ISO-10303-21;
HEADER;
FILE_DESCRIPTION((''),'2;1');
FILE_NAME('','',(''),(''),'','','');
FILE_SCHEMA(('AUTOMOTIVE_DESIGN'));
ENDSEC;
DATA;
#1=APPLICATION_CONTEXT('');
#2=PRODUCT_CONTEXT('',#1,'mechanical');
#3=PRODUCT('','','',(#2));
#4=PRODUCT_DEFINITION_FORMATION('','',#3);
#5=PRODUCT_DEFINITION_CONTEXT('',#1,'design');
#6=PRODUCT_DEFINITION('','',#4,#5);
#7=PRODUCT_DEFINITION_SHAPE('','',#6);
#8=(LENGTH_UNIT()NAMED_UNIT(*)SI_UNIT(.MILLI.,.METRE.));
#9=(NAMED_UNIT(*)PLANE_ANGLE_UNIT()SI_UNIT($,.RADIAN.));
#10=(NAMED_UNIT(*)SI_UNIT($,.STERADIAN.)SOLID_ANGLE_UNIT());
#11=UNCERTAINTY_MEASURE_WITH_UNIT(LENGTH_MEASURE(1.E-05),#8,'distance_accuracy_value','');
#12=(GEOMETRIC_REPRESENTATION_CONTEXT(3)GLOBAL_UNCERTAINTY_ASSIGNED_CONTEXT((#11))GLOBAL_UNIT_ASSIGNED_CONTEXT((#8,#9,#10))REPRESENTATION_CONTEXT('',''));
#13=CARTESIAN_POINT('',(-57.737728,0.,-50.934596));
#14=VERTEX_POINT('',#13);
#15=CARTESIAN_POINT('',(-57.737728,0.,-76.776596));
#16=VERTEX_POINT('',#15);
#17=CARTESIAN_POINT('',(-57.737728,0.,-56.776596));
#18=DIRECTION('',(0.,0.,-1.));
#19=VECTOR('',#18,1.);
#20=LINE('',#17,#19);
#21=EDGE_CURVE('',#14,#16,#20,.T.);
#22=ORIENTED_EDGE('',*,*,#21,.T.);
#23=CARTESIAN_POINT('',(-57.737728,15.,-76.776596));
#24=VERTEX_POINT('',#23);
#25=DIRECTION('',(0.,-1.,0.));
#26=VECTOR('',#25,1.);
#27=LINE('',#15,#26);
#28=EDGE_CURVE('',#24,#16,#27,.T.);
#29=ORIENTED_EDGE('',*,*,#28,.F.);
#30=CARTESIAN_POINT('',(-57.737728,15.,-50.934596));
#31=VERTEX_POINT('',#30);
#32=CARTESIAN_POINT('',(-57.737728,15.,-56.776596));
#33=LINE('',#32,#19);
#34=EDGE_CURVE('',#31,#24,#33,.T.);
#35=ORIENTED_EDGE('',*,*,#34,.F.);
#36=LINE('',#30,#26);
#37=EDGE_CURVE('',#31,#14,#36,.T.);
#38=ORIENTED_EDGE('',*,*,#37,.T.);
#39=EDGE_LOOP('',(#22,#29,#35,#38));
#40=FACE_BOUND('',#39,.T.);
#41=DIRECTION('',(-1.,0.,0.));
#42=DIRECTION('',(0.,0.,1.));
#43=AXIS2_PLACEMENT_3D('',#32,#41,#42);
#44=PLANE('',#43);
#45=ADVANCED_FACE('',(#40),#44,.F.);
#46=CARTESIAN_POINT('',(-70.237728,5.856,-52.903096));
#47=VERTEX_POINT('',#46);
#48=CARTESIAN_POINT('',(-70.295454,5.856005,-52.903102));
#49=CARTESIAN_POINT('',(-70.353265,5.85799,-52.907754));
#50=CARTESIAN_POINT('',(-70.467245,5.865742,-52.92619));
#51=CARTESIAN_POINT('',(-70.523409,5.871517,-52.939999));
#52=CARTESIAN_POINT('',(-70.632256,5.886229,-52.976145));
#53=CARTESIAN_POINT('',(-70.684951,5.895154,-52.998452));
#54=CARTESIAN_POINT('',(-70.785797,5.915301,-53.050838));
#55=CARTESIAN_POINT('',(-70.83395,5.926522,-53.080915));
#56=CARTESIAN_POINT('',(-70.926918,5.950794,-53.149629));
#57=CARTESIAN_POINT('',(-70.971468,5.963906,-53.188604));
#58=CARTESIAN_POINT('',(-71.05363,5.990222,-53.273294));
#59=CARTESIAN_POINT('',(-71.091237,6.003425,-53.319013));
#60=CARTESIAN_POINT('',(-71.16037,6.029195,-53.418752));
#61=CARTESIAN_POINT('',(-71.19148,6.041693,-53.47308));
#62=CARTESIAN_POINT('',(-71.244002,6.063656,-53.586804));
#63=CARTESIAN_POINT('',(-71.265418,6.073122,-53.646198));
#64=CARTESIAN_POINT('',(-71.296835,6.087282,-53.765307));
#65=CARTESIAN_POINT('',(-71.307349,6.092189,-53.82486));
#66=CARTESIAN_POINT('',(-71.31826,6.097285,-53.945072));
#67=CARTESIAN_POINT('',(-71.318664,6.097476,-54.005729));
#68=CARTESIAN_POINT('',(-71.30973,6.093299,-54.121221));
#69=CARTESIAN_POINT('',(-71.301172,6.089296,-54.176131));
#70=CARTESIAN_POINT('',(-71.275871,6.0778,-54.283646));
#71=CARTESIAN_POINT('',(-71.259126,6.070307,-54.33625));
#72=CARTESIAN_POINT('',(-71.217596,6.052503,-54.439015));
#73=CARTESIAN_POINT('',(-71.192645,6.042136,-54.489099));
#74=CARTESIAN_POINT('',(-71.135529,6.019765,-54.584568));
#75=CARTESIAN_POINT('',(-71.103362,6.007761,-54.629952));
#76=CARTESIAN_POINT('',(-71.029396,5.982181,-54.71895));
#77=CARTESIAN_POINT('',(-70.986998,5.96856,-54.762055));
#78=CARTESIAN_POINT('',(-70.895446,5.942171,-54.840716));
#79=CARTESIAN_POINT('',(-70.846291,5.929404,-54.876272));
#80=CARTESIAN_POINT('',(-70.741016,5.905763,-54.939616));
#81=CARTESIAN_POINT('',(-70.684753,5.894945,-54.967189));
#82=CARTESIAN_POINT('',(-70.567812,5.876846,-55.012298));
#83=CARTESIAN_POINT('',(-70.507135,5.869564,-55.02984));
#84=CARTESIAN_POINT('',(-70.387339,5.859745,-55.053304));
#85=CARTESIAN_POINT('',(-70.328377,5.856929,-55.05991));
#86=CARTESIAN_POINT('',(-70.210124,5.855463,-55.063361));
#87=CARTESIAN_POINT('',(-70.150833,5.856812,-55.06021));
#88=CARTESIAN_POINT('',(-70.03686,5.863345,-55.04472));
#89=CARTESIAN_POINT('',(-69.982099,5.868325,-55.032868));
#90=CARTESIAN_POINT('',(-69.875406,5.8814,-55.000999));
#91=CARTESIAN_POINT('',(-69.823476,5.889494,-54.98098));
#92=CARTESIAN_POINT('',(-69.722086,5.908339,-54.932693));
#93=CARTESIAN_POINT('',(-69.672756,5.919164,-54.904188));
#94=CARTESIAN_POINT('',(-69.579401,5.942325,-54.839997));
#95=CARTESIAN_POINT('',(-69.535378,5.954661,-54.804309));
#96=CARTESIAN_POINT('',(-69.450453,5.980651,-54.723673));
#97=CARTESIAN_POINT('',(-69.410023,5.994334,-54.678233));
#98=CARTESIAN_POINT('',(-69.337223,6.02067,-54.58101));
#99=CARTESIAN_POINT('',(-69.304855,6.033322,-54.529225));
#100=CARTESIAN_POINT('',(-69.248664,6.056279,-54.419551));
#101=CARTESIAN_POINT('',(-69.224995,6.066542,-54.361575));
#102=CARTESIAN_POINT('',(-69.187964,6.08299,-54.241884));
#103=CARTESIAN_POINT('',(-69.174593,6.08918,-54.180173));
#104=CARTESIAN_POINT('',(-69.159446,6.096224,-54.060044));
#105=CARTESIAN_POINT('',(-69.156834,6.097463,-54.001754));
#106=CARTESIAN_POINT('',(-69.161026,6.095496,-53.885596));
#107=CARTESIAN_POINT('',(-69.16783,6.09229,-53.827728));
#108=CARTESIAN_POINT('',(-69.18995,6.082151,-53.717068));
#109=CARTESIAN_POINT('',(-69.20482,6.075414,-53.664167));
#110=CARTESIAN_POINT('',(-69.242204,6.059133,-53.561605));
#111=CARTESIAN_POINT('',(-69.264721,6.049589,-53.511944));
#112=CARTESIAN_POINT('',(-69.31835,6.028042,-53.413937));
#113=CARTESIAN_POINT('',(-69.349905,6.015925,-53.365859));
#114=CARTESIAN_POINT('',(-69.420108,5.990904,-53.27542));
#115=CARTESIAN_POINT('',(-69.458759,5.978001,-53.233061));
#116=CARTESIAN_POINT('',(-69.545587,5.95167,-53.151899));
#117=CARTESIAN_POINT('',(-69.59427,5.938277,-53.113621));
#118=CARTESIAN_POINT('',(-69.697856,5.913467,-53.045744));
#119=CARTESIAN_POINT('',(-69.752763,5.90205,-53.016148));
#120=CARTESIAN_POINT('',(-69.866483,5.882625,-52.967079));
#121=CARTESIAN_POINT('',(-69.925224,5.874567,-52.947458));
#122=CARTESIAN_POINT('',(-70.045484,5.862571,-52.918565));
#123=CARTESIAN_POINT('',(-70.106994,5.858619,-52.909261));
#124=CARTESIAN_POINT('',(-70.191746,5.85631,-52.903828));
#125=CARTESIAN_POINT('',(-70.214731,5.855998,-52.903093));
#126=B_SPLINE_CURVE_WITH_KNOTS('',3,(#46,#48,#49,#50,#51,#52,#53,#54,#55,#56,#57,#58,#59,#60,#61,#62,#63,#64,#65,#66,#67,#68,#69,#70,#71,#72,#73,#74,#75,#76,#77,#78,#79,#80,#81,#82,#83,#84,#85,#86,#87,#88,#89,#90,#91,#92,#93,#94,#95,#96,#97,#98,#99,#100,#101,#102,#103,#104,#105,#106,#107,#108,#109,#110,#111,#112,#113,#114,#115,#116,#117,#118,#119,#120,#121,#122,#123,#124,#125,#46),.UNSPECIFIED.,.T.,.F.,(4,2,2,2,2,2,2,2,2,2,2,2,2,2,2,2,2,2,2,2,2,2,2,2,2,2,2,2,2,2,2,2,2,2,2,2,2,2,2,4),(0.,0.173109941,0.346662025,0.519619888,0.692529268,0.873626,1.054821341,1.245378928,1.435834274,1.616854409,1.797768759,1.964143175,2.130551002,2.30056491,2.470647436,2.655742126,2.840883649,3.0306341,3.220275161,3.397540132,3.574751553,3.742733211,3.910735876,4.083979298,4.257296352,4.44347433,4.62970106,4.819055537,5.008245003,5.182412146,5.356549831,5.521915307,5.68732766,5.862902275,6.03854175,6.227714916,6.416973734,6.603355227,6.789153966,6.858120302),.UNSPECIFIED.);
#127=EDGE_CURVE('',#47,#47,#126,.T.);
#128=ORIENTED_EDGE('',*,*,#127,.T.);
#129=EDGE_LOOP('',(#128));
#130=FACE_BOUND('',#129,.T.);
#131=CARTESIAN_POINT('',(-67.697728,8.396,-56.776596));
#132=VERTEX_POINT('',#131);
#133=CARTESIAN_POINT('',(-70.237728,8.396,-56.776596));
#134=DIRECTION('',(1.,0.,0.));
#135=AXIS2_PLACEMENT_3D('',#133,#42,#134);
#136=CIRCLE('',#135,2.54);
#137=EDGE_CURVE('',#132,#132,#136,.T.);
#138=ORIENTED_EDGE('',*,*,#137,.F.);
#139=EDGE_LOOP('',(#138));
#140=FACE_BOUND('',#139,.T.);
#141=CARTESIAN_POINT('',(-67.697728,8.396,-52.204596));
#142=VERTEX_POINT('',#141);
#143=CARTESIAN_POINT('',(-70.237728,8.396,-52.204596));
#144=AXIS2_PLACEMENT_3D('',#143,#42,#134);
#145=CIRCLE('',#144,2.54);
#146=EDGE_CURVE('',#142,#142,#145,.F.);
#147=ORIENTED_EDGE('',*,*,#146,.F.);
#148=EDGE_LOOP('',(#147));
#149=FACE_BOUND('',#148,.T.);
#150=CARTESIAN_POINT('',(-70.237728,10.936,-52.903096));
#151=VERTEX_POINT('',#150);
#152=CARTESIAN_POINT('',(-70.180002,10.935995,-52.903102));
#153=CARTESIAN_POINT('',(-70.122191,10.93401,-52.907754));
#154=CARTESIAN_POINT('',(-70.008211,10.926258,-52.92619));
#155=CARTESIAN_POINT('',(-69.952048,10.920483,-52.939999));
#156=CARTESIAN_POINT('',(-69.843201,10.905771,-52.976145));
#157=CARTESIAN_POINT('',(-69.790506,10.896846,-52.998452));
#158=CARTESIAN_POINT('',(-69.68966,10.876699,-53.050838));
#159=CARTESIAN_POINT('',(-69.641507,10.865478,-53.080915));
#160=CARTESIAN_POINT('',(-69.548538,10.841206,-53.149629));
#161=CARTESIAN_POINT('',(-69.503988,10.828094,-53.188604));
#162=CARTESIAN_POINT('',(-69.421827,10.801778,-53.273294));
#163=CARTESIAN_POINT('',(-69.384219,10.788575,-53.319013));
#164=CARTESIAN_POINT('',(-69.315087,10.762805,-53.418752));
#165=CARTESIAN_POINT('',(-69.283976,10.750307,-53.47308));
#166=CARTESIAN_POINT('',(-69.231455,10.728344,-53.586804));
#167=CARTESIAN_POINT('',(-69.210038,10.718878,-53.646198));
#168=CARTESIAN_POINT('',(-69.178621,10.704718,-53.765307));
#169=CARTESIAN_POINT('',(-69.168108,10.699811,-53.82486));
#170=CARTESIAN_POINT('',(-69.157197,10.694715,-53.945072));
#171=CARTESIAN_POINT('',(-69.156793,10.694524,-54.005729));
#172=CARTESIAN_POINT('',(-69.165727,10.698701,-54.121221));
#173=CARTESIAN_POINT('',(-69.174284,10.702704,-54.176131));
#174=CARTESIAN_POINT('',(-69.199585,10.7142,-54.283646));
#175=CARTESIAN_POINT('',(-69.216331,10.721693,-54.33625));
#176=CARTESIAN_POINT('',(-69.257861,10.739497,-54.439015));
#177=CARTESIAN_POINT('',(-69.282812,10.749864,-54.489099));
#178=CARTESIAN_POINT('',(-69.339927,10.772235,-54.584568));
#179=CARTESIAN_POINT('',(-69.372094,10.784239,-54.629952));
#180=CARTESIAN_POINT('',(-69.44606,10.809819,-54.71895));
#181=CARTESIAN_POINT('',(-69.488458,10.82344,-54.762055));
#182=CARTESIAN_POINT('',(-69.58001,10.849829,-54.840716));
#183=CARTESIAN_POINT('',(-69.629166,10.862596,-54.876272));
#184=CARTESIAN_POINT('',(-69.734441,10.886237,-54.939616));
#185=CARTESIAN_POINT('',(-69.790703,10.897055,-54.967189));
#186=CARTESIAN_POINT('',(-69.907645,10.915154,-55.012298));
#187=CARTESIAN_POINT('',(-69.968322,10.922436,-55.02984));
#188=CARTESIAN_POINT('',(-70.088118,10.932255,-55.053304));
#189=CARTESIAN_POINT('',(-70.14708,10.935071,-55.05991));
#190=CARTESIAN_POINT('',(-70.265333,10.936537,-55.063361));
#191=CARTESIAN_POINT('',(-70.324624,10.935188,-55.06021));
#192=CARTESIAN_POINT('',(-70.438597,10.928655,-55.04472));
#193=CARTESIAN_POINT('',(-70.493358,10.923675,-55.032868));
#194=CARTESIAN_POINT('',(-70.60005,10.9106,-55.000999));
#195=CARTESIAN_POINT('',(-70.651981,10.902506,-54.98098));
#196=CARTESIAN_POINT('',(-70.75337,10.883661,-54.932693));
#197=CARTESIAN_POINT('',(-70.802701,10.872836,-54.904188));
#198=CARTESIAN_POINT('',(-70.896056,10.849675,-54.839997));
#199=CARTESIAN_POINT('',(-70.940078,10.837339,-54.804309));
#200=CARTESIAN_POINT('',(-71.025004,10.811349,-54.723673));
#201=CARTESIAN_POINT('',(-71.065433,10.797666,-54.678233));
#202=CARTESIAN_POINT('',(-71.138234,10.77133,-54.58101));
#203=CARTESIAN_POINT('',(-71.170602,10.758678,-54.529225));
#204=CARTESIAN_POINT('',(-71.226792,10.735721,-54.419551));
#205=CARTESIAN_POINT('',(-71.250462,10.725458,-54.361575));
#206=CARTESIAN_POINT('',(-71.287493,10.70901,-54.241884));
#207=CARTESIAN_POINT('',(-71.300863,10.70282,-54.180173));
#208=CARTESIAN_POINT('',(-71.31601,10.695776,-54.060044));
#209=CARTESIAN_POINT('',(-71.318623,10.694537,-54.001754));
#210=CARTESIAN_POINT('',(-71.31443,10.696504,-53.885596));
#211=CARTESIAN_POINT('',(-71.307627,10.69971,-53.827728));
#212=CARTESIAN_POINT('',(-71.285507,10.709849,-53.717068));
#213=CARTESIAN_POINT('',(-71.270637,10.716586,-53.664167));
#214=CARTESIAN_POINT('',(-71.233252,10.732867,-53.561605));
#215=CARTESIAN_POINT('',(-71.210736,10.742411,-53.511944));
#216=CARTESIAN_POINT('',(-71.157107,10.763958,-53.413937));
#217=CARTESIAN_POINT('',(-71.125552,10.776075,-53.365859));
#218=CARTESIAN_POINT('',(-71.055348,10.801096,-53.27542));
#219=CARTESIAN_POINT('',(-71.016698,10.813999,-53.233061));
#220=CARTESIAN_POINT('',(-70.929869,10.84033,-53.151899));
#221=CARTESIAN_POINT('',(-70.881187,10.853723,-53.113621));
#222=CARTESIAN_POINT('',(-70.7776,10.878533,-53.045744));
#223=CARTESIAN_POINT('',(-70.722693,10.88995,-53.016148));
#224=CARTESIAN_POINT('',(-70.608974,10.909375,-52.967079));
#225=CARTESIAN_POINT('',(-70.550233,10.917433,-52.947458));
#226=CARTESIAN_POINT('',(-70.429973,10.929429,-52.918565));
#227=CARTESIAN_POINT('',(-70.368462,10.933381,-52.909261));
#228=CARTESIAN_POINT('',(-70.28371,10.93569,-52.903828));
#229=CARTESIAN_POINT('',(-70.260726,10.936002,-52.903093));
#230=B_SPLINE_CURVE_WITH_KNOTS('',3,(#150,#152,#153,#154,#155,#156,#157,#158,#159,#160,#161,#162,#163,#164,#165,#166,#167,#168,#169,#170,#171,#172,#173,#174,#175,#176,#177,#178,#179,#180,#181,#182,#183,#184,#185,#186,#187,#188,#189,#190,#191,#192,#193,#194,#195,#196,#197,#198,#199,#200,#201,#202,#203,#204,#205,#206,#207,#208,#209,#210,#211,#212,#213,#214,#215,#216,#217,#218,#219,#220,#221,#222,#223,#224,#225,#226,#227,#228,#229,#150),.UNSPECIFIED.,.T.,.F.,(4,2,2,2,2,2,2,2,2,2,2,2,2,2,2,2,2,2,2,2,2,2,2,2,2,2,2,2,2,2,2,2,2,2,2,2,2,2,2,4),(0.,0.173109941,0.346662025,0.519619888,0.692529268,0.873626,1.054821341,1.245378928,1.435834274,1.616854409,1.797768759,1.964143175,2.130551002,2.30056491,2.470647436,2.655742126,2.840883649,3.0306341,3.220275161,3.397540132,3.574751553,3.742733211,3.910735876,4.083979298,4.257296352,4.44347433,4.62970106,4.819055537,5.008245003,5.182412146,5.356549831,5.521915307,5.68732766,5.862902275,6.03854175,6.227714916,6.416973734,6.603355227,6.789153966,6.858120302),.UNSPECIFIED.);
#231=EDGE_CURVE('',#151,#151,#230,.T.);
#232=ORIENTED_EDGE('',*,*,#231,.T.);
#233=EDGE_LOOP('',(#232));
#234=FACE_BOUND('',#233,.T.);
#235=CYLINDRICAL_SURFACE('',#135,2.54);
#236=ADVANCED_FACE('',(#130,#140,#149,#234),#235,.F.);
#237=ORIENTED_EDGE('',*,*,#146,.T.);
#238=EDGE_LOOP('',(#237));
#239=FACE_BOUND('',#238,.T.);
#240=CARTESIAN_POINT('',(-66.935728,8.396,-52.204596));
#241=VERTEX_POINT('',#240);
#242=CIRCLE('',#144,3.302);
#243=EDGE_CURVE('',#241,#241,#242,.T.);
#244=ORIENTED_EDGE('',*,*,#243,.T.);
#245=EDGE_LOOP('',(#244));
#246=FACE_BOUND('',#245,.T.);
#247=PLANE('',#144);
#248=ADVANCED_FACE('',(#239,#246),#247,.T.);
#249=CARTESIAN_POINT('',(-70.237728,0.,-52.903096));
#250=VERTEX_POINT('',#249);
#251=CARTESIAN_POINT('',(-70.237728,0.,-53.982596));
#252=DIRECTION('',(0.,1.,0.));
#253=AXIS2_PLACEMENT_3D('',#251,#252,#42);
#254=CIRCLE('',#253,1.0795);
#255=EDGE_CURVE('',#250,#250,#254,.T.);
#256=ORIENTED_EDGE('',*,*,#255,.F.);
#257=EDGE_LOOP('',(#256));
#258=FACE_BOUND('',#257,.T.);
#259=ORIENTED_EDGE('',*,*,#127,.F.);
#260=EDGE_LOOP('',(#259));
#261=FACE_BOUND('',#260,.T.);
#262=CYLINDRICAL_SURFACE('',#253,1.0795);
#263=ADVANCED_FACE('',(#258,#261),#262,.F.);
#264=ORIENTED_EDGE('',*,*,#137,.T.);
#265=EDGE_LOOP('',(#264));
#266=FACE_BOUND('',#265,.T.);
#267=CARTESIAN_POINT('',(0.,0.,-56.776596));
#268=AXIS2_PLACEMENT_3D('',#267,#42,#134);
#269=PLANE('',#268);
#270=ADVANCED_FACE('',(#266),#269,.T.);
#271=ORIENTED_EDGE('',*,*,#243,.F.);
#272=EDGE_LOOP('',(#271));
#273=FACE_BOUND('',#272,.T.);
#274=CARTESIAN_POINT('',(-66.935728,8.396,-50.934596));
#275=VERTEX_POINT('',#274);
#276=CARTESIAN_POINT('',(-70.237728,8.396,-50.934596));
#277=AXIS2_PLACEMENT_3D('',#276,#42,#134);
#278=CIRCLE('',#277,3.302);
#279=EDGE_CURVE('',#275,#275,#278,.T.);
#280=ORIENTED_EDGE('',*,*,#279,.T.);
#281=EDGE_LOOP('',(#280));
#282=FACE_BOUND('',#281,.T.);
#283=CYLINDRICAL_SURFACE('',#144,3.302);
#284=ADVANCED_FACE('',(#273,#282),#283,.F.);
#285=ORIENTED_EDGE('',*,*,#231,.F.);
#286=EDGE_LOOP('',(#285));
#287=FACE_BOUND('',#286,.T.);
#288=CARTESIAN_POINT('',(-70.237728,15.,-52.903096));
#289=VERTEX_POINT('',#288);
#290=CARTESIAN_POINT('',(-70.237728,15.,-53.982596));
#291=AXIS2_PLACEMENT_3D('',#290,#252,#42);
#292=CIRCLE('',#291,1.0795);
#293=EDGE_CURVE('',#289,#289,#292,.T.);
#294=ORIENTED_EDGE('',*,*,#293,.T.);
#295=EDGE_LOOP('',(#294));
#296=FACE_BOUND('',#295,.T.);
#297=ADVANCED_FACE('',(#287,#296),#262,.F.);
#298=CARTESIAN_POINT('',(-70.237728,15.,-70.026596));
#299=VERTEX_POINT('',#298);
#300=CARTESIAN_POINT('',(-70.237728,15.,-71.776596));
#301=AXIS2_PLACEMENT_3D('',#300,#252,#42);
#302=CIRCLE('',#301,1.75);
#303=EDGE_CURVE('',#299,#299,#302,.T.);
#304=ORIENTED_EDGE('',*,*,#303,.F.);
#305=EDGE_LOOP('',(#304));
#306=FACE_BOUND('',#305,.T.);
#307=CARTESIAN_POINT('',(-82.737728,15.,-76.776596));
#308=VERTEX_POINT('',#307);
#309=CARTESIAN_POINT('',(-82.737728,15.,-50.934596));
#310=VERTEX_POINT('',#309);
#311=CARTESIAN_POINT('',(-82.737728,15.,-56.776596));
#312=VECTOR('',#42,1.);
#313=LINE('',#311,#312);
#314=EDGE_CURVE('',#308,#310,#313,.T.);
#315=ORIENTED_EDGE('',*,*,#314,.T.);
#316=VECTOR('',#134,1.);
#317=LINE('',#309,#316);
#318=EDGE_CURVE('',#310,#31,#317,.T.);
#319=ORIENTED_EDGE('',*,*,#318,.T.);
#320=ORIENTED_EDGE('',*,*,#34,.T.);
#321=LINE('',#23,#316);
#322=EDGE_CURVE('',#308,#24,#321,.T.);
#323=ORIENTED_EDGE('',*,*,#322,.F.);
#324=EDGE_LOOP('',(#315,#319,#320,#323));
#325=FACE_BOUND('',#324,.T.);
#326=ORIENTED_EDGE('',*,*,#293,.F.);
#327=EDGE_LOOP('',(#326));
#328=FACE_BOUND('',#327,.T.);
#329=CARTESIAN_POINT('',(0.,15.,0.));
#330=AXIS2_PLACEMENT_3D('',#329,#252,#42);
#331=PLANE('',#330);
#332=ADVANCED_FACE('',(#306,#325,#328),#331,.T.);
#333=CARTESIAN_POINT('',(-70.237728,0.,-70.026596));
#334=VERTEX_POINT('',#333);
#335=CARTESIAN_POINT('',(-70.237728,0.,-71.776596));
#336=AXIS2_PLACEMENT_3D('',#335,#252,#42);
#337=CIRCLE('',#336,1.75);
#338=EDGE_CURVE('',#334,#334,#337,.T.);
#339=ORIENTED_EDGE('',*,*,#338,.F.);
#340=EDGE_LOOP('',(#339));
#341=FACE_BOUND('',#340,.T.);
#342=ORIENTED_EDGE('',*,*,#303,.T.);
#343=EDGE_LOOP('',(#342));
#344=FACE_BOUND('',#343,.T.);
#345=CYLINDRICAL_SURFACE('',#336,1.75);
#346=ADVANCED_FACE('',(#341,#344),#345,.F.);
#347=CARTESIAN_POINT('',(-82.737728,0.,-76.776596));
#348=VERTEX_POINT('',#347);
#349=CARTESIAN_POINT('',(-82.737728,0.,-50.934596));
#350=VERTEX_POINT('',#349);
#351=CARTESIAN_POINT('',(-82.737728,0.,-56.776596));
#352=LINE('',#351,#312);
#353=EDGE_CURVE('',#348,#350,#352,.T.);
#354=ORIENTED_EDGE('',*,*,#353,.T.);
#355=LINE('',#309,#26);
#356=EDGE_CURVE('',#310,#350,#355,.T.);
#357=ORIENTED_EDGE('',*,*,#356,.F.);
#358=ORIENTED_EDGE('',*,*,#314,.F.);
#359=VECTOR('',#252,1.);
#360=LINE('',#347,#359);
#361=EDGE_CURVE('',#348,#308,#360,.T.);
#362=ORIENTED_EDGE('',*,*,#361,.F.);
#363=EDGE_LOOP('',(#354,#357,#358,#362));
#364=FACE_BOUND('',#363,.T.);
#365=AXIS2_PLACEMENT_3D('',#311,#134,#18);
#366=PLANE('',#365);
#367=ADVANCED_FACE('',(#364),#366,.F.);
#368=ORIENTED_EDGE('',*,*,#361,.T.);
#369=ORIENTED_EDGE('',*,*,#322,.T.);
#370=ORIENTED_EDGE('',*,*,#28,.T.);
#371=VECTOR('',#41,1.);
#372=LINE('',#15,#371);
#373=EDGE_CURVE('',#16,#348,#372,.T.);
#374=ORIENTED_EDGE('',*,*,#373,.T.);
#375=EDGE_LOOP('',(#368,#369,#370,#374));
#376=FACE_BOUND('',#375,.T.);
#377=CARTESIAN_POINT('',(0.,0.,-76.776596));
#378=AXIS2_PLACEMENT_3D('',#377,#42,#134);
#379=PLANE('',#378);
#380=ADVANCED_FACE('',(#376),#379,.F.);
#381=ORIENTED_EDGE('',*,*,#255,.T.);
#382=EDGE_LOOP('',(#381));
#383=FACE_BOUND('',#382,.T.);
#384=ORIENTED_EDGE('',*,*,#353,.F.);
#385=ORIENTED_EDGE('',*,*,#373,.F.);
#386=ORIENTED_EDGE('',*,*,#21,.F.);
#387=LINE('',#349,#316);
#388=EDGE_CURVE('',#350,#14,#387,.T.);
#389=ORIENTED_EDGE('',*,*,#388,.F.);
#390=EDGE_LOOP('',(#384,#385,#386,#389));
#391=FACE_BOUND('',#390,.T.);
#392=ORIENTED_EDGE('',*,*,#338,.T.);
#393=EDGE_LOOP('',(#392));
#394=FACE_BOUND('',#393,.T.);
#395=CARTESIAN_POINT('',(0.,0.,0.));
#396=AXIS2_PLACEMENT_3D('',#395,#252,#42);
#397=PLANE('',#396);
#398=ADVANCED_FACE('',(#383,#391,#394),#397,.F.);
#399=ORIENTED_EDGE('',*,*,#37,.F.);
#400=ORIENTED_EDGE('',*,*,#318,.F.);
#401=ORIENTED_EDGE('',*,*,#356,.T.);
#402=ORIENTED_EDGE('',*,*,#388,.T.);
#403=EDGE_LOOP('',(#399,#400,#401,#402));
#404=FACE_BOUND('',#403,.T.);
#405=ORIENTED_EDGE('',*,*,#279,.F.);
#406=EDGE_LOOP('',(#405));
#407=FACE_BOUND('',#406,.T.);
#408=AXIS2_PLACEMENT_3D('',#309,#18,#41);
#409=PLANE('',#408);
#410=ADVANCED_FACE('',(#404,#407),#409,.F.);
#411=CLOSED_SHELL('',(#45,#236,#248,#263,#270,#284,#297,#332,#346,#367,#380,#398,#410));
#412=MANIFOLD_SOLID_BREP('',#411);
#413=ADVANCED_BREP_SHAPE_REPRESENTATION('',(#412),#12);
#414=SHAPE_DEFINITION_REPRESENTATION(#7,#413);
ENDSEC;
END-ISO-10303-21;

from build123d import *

# Parameters (mm, degrees)
SKETCH1_W           = 25
SKETCH1_H           = 5.842
BOSS_EXTRUDE1_DEPTH = 15
SKETCH5_R           = 2.54
CUT_EXTRUDE3_DEPTH  = 85.289149032
SKETCH7_R           = 3.302
CUT_EXTRUDE4_DEPTH  = 1.27
SKETCH10_R          = 1.0795
CUT_EXTRUDE7_DEPTH  = 102.459910937
SKETCH11_W          = 25
SKETCH11_H          = 15
BOSS_EXTRUDE2_DEPTH = 20
SKETCH12_R          = 1.75
CUT_EXTRUDE8_DEPTH  = 114.864732767


with BuildPart() as part:
    # Sketch1 → Boss-Extrude1 (new body)
    with BuildSketch(Plane(origin=(0, 0, 0), x_dir=(1, 0, 0), z_dir=(0, 1, 0))):
        with Locations((-70.237728278, 53.855595943)):
            Rectangle(SKETCH1_W, SKETCH1_H)
    extrude(amount=BOSS_EXTRUDE1_DEPTH)

    # Sketch5 → Cut-Extrude3 (cut, through all)
    with BuildSketch(Plane.XY.offset(-50.934595943)):
        with Locations((-70.237728278, 8.396)):
            Circle(SKETCH5_R)
    extrude(amount=-CUT_EXTRUDE3_DEPTH, mode=Mode.SUBTRACT)

    # Sketch7 → Cut-Extrude4 (cut)
    with BuildSketch(Plane.XY.offset(-50.934595943)):
        with Locations((-70.237728278, 8.396)):
            Circle(SKETCH7_R)
    extrude(amount=-CUT_EXTRUDE4_DEPTH, mode=Mode.SUBTRACT)

    # Sketch10 → Cut-Extrude7 (cut, through all)
    with BuildSketch(Plane(origin=(0, 15, 0), x_dir=(1, 0, 0), z_dir=(0, 1, 0))):
        with Locations(Location((-70.237728278, 53.982595943, 0), (0, 0, 270))):
            Circle(SKETCH10_R)
    extrude(amount=-CUT_EXTRUDE7_DEPTH, mode=Mode.SUBTRACT)

    # Sketch11 → Boss-Extrude2 (add)
    with BuildSketch(Plane(origin=(0, 0, -56.776595943), x_dir=(-1, 0, 0), z_dir=(0, 0, -1))):
        with Locations((70.237728278, 7.5)):
            Rectangle(SKETCH11_W, SKETCH11_H)
    extrude(amount=BOSS_EXTRUDE2_DEPTH)

    # Sketch12 → Cut-Extrude8 (cut, through all)
    with BuildSketch(Plane(origin=(0, 15, 0), x_dir=(1, 0, 0), z_dir=(0, 1, 0))):
        with Locations(Location((-70.237728278, 71.776595943, 0), (0, 0, 270))):
            Circle(SKETCH12_R)
    extrude(amount=-CUT_EXTRUDE8_DEPTH, mode=Mode.SUBTRACT)


solid = part.part
